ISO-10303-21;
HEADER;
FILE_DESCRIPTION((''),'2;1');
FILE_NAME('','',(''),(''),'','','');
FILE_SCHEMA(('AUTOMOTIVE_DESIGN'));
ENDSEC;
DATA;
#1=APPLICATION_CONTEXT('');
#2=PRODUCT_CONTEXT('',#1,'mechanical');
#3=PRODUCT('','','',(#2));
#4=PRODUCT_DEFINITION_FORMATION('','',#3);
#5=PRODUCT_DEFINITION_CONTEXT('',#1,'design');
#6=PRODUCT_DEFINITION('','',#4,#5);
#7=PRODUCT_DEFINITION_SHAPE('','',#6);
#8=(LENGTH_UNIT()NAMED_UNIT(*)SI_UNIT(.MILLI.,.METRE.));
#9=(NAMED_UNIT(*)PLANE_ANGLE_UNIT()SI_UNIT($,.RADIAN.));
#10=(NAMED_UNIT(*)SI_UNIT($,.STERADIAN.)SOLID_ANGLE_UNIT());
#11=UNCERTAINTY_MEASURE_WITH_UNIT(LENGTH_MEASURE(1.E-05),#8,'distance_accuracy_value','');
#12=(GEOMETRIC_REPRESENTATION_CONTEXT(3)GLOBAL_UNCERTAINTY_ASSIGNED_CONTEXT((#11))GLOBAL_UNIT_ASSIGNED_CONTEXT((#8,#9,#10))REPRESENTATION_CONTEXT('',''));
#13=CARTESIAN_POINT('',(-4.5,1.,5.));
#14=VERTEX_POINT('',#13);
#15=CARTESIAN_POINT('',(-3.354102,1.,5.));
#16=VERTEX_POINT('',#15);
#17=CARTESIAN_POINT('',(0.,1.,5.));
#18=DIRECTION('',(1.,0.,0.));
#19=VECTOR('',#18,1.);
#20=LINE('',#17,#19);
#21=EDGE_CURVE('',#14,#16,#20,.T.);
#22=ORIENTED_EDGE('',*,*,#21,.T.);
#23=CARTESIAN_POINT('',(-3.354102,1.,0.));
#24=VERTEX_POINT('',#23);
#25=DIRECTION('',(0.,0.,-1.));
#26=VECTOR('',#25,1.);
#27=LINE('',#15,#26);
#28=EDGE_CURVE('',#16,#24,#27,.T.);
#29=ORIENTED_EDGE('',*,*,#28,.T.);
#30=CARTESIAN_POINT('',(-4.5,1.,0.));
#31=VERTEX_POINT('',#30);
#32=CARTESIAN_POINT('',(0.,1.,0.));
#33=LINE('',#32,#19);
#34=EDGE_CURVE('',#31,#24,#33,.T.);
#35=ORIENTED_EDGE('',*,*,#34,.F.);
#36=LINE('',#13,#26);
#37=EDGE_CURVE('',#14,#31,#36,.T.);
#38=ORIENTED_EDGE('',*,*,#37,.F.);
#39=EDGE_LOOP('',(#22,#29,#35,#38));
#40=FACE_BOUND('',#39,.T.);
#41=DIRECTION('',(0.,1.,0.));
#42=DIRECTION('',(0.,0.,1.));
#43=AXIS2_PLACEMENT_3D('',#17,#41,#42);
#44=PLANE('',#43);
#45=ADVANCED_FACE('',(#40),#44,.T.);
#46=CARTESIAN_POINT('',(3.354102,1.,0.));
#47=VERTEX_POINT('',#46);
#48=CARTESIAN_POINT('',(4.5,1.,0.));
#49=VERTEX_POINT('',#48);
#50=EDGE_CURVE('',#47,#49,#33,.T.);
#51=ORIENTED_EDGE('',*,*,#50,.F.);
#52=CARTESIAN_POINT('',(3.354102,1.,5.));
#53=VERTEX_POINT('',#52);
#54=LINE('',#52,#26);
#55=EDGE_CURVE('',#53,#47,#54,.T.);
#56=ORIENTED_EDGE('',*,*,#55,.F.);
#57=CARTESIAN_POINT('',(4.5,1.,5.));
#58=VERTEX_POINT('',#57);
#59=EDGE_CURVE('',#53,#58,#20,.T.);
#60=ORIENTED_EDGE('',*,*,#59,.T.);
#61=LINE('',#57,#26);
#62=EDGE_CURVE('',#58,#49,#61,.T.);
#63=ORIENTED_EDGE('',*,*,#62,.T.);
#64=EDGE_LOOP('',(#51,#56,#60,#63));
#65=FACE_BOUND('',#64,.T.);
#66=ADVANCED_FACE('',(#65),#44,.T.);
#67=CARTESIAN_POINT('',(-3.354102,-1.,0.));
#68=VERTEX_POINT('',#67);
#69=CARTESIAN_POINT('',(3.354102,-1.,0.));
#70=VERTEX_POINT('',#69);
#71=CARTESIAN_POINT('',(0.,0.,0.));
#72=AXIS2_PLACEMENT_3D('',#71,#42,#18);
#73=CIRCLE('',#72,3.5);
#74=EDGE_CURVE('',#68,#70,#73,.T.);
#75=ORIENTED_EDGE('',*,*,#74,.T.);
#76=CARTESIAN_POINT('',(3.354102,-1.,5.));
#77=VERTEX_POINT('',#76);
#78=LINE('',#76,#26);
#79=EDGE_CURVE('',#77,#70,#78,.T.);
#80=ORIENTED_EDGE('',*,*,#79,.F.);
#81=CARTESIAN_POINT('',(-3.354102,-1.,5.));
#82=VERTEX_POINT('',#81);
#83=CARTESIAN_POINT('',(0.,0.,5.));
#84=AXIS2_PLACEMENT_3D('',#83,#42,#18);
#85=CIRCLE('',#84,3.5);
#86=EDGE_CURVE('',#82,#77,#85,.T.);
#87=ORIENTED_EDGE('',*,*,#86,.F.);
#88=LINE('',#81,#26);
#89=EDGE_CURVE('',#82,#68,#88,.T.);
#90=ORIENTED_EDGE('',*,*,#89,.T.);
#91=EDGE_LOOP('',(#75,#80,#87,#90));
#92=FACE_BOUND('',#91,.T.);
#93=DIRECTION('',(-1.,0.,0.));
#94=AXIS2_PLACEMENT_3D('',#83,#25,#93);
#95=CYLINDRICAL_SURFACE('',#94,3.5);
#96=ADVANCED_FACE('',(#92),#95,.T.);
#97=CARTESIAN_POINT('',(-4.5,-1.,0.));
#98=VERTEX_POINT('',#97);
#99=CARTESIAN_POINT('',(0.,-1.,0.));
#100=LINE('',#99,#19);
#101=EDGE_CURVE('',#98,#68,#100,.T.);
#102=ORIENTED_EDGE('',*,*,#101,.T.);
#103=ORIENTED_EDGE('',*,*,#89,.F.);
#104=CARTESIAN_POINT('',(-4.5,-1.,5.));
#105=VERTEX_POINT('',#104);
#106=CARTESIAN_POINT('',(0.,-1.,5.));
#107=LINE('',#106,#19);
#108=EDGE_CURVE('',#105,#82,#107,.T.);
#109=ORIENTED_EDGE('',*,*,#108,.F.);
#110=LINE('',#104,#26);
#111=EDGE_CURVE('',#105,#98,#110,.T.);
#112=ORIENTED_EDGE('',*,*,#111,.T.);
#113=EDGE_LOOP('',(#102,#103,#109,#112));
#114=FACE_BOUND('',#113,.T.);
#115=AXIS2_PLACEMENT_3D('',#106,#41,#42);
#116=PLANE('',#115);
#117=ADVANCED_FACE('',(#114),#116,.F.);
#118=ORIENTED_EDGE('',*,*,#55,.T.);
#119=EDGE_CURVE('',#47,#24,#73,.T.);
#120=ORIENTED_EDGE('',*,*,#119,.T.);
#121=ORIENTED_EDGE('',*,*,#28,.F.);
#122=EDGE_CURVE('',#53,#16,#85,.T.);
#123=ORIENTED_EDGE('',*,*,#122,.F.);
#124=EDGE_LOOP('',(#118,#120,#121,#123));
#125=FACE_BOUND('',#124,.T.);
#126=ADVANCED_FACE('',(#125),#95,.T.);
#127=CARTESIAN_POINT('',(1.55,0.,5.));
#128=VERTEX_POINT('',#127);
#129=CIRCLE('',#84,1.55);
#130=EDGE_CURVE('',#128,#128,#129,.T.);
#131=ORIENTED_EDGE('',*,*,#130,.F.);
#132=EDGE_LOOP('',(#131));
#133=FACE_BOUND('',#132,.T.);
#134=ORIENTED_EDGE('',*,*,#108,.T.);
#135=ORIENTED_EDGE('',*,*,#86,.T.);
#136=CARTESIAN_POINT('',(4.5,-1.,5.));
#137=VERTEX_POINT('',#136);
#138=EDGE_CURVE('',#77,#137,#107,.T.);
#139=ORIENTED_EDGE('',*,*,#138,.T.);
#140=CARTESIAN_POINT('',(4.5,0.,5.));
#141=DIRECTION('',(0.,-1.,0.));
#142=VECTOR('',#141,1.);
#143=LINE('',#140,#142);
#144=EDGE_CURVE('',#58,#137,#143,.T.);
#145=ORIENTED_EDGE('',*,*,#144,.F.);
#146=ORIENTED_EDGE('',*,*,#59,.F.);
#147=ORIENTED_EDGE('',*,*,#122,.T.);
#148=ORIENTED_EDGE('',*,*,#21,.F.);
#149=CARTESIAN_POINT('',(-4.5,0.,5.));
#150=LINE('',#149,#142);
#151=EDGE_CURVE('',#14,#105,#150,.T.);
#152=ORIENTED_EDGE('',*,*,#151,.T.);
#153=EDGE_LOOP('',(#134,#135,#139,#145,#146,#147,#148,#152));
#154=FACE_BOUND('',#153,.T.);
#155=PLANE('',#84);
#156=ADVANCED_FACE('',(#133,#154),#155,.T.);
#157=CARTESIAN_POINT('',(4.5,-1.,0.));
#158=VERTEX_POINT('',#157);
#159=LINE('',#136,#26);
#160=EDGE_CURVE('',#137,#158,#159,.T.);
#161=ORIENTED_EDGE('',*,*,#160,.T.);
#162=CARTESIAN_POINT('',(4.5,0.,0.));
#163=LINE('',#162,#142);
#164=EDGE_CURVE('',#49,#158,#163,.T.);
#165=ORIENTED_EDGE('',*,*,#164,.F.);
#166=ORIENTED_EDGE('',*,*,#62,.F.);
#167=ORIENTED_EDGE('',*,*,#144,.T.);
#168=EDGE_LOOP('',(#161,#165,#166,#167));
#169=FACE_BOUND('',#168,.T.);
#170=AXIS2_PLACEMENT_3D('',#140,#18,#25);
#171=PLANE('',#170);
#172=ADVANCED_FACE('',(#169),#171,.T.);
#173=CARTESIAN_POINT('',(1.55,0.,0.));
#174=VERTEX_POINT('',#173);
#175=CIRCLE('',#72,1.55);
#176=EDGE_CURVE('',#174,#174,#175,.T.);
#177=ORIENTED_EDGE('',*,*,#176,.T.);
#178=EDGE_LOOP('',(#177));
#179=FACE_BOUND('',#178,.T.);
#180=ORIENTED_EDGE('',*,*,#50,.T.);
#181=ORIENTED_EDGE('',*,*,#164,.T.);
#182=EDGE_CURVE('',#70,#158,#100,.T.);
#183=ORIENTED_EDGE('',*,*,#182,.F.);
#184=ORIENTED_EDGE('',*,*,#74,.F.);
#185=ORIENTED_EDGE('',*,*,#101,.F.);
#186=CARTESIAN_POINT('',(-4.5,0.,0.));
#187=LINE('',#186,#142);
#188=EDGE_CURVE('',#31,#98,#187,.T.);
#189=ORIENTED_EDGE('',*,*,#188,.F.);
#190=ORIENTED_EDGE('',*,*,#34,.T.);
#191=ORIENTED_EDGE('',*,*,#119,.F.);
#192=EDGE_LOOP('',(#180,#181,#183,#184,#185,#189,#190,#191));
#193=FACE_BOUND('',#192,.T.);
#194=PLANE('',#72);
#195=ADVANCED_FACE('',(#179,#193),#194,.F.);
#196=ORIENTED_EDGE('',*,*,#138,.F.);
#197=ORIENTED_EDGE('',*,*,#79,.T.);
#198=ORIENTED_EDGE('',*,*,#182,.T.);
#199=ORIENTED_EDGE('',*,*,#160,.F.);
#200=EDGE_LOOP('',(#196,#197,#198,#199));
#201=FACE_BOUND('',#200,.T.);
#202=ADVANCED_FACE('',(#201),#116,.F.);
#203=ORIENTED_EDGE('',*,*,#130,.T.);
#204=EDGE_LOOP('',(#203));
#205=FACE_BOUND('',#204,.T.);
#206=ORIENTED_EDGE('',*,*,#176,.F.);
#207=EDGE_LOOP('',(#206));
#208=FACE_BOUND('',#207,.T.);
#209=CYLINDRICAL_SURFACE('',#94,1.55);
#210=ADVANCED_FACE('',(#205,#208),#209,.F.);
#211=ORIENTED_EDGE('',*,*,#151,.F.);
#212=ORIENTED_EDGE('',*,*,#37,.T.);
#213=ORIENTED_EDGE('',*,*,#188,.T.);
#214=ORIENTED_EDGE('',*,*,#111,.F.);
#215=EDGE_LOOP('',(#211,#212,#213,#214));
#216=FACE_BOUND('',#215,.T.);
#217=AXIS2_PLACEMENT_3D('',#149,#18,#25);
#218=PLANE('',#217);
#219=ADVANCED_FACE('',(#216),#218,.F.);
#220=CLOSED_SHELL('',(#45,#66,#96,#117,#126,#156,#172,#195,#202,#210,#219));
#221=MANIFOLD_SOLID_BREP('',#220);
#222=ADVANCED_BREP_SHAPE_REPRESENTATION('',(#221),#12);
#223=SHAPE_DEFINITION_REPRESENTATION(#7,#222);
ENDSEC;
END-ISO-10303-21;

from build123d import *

# Parameters (mm, degrees)
SKETCH_1_R      = 1.55
EXTRUDE_1_DEPTH = 5


with BuildPart() as part:
    # 草圖1 → 填料-伸長1 (new body)
    with BuildSketch(Plane.XY):
        with BuildLine():
            Line((-4.5, 1), (-3.354101966, 1))
            ThreePointArc((-3.354101966, 1), (0, 3.5), (3.354101966, 1))
            Line((3.354101966, 1), (4.5, 1))
            Line((4.5, 1), (4.5, -1))
            Line((4.5, -1), (3.354101966, -1))
            ThreePointArc((3.354101966, -1), (0, -3.5), (-3.354101966, -1))
            Line((-3.354101966, -1), (-4.5, -1))
            Line((-4.5, -1), (-4.5, 1))
        make_face()
        Circle(SKETCH_1_R, mode=Mode.SUBTRACT)
    extrude(amount=EXTRUDE_1_DEPTH)


solid = part.part
